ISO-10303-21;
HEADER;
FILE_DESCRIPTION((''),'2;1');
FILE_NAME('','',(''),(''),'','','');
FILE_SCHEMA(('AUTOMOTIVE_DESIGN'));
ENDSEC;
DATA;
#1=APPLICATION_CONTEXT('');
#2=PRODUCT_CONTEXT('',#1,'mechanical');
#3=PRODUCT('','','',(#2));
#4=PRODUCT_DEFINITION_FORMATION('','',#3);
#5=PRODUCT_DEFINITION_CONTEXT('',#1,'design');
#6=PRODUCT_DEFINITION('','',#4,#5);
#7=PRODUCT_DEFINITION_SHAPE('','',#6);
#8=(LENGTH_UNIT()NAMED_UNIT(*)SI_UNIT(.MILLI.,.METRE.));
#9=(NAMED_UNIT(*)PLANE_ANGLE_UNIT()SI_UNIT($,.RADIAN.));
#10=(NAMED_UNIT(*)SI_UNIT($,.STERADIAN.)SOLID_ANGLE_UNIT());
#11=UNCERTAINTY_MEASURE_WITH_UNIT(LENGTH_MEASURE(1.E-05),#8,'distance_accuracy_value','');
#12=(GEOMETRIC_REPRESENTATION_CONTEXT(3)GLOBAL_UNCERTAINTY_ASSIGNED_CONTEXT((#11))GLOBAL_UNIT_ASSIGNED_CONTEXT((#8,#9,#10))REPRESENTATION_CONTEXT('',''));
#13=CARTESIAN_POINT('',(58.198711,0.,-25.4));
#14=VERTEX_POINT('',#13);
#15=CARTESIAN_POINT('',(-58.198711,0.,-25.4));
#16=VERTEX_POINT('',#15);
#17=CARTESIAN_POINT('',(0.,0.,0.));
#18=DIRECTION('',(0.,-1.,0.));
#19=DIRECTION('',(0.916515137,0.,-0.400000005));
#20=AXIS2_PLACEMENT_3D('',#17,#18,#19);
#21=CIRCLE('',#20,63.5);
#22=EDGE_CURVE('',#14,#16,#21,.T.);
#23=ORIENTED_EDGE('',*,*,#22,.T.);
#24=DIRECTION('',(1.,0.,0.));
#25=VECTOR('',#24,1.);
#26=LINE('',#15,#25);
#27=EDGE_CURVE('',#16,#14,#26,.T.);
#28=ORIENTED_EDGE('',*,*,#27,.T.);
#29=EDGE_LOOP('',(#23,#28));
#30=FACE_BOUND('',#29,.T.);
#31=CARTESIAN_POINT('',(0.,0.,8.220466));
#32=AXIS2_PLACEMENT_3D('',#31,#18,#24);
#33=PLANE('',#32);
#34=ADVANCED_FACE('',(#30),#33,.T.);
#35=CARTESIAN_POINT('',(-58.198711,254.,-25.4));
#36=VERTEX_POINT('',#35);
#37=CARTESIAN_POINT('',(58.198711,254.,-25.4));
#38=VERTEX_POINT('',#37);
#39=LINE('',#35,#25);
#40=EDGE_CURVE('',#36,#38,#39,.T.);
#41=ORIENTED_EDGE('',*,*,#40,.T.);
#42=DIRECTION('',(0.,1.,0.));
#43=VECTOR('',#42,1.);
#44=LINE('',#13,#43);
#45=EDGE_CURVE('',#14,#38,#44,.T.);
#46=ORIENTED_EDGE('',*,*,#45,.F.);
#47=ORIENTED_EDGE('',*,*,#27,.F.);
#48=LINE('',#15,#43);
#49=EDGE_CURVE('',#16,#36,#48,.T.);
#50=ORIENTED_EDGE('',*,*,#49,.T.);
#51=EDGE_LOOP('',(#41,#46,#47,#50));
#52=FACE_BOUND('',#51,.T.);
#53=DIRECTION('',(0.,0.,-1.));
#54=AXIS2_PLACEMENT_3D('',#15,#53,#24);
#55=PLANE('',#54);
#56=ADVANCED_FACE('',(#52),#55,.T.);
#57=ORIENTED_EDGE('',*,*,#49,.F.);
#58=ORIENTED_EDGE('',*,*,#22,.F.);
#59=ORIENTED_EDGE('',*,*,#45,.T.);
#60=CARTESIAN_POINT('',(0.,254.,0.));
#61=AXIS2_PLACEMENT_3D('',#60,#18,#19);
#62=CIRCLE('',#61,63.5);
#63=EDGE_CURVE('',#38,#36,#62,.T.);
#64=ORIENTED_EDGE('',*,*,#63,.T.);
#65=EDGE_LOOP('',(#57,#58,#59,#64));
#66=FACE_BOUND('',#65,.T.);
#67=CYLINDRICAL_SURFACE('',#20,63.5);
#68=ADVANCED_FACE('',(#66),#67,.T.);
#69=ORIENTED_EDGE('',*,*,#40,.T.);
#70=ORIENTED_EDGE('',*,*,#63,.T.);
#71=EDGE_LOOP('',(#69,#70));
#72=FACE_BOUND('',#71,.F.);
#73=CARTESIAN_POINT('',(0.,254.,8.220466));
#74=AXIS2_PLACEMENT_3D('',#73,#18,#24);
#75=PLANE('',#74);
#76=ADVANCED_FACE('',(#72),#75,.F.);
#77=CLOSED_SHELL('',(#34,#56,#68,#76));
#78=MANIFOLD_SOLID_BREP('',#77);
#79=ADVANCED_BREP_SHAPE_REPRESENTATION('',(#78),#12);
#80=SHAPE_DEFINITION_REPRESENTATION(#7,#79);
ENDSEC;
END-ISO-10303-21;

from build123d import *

# Parameters (mm, degrees)
F1_DEPTH = 254


with BuildPart() as f1:
    # F0 (on Front) → F1 (new body)
    with BuildSketch(Plane.XZ):
        with BuildLine():
            Line((0, -25.4), (58.198711, -25.4))
            ThreePointArc((58.198711, -25.4), (0, 63.5), (-58.198711, -25.4))
            Line((-58.198711, -25.4), (0, -25.4))
        make_face()
    extrude(amount=-F1_DEPTH)


solid = f1.part
